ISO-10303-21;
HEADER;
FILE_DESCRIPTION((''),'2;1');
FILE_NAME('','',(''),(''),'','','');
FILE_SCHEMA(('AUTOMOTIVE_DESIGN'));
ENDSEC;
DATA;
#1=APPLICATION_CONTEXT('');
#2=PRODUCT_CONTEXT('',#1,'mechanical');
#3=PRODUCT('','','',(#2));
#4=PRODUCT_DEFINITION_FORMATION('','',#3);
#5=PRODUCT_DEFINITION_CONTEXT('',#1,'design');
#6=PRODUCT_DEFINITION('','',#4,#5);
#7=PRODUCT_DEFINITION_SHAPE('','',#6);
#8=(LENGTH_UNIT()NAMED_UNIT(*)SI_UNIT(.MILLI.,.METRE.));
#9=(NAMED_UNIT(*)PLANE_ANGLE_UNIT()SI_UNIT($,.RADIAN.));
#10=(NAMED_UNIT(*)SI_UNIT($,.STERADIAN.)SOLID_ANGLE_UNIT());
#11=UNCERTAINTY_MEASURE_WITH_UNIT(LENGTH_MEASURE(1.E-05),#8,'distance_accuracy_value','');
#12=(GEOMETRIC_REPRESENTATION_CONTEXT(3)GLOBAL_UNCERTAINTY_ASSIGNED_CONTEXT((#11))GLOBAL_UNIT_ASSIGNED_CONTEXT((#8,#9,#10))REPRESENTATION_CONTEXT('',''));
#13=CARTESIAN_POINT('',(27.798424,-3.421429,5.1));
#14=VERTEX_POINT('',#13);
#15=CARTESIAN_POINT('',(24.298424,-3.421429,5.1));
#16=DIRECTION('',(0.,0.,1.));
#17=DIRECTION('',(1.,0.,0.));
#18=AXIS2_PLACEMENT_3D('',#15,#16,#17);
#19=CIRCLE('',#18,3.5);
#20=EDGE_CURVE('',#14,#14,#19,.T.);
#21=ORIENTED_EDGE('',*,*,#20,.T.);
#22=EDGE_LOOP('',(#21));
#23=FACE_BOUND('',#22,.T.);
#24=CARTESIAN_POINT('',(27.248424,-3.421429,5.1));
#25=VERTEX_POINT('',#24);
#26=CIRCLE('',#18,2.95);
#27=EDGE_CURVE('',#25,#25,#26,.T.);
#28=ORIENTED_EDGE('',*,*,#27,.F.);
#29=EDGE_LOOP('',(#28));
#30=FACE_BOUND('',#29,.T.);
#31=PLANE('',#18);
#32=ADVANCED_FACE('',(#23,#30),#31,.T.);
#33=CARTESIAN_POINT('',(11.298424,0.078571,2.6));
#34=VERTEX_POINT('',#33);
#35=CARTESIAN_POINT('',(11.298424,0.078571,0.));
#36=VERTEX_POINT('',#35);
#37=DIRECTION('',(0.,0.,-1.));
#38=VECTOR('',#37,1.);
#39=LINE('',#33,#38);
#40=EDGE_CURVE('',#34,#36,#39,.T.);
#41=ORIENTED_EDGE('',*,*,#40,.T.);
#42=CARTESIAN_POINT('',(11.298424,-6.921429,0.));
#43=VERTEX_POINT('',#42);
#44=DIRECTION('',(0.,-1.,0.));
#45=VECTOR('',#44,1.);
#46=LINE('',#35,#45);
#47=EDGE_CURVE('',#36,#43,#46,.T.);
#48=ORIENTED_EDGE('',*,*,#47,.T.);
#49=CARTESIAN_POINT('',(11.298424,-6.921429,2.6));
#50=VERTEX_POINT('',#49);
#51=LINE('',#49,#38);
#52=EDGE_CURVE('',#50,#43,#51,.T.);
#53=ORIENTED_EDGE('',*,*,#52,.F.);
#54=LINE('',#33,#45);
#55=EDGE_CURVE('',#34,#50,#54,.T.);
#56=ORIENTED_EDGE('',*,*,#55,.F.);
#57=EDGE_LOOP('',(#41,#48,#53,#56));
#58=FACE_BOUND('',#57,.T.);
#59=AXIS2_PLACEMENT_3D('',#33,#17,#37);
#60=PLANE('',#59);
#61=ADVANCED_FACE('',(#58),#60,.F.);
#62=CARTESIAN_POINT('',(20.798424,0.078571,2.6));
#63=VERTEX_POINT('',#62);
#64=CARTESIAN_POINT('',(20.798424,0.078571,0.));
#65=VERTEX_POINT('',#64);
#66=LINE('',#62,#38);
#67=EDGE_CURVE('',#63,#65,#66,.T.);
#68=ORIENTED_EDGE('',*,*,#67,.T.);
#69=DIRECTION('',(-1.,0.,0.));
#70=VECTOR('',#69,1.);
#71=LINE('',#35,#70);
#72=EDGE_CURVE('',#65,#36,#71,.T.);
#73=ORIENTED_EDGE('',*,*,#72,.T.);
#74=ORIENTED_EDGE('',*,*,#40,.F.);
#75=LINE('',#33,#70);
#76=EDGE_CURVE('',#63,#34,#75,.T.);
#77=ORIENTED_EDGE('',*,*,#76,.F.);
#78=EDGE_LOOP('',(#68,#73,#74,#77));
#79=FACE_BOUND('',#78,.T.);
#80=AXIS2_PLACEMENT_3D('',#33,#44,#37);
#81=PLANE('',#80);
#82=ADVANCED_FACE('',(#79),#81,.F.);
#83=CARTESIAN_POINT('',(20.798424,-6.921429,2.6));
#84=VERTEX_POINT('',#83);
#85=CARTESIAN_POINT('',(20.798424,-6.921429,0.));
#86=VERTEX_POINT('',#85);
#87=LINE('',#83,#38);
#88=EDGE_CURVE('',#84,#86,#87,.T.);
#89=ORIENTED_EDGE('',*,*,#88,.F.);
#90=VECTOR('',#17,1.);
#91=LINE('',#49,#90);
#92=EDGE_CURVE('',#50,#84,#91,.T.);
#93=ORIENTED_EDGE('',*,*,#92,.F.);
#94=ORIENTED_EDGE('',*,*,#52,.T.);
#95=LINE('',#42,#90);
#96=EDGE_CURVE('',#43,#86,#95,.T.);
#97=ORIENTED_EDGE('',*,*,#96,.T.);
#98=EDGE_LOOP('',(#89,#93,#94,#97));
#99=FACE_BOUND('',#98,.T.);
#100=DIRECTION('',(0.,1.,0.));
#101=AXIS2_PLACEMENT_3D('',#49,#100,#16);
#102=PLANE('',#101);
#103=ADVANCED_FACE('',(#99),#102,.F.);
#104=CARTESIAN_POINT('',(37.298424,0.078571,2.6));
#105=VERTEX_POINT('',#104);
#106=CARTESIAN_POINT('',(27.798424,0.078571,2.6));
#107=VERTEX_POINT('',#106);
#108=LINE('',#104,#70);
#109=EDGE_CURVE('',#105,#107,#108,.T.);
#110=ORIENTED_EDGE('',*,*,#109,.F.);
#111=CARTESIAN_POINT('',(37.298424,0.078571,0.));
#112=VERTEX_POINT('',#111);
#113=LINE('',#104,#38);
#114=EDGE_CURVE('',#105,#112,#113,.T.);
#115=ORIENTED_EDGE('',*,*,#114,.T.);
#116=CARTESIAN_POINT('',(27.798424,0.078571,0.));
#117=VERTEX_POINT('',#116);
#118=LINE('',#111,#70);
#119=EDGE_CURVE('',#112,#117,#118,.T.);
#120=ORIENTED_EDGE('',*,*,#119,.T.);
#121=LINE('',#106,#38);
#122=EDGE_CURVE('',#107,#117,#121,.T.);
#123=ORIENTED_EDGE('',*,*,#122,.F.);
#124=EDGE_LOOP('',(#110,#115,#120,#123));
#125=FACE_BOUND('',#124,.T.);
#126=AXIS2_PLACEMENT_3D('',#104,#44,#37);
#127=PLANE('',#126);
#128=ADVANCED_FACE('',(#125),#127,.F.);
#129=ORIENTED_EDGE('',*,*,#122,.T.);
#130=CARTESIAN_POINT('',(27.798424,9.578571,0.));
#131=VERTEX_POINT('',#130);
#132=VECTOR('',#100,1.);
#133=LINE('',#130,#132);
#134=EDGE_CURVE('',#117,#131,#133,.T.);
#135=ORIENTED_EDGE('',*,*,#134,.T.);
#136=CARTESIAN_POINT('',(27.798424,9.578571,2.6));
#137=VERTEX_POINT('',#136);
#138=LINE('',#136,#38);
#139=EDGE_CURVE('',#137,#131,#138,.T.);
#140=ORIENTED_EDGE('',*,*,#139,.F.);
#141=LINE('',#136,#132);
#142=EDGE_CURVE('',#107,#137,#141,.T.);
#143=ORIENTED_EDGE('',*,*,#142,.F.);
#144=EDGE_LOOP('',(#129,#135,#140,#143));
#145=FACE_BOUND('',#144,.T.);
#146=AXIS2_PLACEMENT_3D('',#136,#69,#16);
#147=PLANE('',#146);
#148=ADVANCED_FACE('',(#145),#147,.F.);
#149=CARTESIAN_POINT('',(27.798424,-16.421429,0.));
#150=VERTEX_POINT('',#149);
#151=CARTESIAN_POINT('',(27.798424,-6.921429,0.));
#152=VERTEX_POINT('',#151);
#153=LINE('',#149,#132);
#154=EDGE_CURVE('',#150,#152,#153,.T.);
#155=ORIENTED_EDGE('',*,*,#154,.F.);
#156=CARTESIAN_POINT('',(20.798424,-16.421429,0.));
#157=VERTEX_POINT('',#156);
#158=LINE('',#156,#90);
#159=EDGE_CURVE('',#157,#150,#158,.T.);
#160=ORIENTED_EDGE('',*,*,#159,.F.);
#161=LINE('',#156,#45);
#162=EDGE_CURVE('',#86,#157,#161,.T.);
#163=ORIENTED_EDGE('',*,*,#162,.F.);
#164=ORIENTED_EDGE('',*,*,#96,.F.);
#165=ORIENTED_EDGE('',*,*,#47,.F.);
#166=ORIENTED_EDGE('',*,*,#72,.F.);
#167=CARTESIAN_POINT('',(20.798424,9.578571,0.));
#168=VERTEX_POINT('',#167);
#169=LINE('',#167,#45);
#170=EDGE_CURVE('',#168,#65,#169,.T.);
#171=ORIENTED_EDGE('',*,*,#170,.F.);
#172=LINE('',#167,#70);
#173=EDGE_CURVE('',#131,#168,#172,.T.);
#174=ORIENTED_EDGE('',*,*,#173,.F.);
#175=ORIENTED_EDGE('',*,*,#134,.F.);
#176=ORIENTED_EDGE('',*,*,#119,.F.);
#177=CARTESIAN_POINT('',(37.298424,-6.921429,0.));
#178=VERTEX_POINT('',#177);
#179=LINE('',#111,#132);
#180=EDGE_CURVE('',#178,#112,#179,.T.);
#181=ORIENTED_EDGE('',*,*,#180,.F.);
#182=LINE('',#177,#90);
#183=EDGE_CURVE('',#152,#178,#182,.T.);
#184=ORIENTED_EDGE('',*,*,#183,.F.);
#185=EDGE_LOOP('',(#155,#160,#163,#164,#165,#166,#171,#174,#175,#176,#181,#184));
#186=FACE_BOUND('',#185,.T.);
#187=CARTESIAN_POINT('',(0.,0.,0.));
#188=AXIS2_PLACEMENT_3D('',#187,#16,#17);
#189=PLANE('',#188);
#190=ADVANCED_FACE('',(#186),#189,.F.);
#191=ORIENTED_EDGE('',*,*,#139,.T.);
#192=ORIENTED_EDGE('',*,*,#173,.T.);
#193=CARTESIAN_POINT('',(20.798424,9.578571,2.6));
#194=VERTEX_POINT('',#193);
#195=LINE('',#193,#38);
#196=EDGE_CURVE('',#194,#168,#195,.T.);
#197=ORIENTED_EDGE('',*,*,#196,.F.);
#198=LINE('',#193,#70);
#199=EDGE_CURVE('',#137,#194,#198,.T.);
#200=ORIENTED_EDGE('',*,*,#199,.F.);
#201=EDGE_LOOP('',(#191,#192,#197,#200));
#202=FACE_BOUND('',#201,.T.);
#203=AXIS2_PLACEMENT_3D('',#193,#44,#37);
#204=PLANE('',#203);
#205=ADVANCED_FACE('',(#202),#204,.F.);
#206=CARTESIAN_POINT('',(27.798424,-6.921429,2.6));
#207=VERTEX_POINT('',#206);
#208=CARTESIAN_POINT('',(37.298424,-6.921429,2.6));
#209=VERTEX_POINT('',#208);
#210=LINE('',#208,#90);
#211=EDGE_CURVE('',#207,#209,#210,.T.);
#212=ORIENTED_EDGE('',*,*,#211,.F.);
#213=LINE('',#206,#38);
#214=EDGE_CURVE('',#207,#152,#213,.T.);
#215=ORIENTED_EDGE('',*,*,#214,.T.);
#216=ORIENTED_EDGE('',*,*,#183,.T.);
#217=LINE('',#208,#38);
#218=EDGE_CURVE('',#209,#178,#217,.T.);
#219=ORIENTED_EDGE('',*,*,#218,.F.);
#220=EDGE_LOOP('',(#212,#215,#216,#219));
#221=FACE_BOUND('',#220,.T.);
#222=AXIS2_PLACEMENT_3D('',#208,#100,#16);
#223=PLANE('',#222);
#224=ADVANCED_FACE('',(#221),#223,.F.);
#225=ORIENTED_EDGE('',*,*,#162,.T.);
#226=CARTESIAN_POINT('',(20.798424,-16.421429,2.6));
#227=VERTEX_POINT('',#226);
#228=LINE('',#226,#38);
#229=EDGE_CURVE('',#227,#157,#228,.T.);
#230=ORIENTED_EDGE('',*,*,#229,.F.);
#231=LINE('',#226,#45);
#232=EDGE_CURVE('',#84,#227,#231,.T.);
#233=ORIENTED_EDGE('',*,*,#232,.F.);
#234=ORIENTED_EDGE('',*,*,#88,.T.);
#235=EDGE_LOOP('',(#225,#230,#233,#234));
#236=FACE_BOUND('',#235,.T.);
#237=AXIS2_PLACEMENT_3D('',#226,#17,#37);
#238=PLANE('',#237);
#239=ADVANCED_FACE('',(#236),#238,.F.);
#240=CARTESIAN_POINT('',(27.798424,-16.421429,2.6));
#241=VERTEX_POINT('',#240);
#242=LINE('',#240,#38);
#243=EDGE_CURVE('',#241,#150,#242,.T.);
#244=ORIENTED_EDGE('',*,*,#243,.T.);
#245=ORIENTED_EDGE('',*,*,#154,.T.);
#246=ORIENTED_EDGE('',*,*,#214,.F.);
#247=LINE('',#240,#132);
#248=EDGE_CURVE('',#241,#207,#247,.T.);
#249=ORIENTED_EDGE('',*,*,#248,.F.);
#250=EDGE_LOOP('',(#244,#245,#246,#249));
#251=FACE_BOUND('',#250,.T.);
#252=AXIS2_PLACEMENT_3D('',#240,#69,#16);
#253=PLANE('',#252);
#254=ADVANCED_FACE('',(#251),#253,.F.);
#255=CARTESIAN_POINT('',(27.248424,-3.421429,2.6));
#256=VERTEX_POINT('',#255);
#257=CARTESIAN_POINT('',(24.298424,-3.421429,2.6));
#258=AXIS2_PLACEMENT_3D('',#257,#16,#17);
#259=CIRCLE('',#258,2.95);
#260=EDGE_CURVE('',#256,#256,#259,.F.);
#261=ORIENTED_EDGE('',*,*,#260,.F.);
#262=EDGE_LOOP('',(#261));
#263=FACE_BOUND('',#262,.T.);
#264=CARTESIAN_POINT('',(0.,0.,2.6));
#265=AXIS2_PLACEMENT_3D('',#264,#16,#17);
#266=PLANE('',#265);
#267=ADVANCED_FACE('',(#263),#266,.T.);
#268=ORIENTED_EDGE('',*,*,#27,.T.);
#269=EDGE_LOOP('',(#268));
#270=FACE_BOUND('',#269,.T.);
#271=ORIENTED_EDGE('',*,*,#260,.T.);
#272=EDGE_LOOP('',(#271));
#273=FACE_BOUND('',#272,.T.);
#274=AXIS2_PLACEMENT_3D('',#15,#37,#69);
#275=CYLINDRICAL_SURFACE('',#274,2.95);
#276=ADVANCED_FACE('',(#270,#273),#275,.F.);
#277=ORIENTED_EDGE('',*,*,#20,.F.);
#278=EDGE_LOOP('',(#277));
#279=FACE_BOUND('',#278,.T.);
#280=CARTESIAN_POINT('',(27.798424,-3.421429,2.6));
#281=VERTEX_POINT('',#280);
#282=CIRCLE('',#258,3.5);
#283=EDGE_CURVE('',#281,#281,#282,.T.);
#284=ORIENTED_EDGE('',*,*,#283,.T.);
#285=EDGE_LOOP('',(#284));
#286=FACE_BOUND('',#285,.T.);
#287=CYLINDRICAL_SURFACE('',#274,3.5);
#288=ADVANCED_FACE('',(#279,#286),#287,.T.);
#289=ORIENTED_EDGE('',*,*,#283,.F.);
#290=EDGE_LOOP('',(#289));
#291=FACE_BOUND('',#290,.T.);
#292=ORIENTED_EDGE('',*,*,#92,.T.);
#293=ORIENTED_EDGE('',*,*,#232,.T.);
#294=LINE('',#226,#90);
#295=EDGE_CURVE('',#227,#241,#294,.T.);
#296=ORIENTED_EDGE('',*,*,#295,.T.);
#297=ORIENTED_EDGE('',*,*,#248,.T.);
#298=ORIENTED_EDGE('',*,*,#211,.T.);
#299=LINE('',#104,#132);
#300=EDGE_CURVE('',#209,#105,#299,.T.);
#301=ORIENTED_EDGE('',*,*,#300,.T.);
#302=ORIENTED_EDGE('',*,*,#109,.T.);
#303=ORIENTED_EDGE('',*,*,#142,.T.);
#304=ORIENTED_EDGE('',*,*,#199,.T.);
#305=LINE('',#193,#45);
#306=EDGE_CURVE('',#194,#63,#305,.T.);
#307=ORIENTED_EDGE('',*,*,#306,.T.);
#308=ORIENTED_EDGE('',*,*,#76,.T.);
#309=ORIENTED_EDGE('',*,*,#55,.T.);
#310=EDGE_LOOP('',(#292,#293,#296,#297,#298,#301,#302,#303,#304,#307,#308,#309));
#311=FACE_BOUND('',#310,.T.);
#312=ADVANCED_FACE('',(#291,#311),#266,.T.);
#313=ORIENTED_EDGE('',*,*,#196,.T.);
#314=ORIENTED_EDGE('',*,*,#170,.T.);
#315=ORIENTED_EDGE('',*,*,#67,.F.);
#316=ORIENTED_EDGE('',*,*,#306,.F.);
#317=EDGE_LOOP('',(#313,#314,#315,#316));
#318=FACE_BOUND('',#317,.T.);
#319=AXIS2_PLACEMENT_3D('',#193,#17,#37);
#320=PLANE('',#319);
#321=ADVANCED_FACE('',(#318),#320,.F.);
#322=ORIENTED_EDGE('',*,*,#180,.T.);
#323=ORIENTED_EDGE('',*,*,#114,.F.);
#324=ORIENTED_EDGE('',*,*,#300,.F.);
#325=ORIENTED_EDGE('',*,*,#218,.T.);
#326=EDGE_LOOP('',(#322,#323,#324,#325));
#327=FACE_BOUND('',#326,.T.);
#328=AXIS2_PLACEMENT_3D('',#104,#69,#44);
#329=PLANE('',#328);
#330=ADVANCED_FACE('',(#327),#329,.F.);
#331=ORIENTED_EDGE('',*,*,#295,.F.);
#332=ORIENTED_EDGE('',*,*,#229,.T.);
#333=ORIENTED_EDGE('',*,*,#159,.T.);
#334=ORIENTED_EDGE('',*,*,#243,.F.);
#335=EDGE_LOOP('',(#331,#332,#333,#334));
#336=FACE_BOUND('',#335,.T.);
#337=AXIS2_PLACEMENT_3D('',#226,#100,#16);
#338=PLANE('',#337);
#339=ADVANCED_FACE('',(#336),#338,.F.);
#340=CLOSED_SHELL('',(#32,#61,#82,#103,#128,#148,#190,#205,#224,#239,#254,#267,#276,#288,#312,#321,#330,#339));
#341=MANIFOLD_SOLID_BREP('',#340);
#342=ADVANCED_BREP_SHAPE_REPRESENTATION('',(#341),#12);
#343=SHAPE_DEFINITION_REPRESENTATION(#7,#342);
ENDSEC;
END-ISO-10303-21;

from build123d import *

# Parameters (mm, degrees)
EXTRUDE_1_DEPTH = 2.6
SKETCH_2_R      = 3.5
SKETCH_2_R_2    = 2.95
EXTRUDE_2_DEPTH = 2.5


with BuildPart() as part:
    # ｽｹｯﾁ1 → ﾎﾞｽ - 押し出し1 (new body)
    with BuildSketch(Plane.XY):
        Polygon((11.29842378, 0.078571429), (20.79842378, 0.078571429), (20.79842378, 9.578571429), (27.79842378, 9.578571429), (27.79842378, 0.078571429), (37.29842378, 0.078571429), (37.29842378, -6.921428571), (27.79842378, -6.921428571), (27.79842378, -16.421428571), (20.79842378, -16.421428571), (20.79842378, -6.921428571), (11.29842378, -6.921428571), align=None)
    extrude(amount=EXTRUDE_1_DEPTH)

    # ｽｹｯﾁ2 → ﾎﾞｽ - 押し出し2 (add)
    with BuildSketch(Plane.XY.offset(2.6)):
        with Locations((24.29842378, -3.421428571)):
            Circle(SKETCH_2_R)
        with Locations((24.29842378, -3.421428571)):
            Circle(SKETCH_2_R_2, mode=Mode.SUBTRACT)
    extrude(amount=EXTRUDE_2_DEPTH)


solid = part.part
